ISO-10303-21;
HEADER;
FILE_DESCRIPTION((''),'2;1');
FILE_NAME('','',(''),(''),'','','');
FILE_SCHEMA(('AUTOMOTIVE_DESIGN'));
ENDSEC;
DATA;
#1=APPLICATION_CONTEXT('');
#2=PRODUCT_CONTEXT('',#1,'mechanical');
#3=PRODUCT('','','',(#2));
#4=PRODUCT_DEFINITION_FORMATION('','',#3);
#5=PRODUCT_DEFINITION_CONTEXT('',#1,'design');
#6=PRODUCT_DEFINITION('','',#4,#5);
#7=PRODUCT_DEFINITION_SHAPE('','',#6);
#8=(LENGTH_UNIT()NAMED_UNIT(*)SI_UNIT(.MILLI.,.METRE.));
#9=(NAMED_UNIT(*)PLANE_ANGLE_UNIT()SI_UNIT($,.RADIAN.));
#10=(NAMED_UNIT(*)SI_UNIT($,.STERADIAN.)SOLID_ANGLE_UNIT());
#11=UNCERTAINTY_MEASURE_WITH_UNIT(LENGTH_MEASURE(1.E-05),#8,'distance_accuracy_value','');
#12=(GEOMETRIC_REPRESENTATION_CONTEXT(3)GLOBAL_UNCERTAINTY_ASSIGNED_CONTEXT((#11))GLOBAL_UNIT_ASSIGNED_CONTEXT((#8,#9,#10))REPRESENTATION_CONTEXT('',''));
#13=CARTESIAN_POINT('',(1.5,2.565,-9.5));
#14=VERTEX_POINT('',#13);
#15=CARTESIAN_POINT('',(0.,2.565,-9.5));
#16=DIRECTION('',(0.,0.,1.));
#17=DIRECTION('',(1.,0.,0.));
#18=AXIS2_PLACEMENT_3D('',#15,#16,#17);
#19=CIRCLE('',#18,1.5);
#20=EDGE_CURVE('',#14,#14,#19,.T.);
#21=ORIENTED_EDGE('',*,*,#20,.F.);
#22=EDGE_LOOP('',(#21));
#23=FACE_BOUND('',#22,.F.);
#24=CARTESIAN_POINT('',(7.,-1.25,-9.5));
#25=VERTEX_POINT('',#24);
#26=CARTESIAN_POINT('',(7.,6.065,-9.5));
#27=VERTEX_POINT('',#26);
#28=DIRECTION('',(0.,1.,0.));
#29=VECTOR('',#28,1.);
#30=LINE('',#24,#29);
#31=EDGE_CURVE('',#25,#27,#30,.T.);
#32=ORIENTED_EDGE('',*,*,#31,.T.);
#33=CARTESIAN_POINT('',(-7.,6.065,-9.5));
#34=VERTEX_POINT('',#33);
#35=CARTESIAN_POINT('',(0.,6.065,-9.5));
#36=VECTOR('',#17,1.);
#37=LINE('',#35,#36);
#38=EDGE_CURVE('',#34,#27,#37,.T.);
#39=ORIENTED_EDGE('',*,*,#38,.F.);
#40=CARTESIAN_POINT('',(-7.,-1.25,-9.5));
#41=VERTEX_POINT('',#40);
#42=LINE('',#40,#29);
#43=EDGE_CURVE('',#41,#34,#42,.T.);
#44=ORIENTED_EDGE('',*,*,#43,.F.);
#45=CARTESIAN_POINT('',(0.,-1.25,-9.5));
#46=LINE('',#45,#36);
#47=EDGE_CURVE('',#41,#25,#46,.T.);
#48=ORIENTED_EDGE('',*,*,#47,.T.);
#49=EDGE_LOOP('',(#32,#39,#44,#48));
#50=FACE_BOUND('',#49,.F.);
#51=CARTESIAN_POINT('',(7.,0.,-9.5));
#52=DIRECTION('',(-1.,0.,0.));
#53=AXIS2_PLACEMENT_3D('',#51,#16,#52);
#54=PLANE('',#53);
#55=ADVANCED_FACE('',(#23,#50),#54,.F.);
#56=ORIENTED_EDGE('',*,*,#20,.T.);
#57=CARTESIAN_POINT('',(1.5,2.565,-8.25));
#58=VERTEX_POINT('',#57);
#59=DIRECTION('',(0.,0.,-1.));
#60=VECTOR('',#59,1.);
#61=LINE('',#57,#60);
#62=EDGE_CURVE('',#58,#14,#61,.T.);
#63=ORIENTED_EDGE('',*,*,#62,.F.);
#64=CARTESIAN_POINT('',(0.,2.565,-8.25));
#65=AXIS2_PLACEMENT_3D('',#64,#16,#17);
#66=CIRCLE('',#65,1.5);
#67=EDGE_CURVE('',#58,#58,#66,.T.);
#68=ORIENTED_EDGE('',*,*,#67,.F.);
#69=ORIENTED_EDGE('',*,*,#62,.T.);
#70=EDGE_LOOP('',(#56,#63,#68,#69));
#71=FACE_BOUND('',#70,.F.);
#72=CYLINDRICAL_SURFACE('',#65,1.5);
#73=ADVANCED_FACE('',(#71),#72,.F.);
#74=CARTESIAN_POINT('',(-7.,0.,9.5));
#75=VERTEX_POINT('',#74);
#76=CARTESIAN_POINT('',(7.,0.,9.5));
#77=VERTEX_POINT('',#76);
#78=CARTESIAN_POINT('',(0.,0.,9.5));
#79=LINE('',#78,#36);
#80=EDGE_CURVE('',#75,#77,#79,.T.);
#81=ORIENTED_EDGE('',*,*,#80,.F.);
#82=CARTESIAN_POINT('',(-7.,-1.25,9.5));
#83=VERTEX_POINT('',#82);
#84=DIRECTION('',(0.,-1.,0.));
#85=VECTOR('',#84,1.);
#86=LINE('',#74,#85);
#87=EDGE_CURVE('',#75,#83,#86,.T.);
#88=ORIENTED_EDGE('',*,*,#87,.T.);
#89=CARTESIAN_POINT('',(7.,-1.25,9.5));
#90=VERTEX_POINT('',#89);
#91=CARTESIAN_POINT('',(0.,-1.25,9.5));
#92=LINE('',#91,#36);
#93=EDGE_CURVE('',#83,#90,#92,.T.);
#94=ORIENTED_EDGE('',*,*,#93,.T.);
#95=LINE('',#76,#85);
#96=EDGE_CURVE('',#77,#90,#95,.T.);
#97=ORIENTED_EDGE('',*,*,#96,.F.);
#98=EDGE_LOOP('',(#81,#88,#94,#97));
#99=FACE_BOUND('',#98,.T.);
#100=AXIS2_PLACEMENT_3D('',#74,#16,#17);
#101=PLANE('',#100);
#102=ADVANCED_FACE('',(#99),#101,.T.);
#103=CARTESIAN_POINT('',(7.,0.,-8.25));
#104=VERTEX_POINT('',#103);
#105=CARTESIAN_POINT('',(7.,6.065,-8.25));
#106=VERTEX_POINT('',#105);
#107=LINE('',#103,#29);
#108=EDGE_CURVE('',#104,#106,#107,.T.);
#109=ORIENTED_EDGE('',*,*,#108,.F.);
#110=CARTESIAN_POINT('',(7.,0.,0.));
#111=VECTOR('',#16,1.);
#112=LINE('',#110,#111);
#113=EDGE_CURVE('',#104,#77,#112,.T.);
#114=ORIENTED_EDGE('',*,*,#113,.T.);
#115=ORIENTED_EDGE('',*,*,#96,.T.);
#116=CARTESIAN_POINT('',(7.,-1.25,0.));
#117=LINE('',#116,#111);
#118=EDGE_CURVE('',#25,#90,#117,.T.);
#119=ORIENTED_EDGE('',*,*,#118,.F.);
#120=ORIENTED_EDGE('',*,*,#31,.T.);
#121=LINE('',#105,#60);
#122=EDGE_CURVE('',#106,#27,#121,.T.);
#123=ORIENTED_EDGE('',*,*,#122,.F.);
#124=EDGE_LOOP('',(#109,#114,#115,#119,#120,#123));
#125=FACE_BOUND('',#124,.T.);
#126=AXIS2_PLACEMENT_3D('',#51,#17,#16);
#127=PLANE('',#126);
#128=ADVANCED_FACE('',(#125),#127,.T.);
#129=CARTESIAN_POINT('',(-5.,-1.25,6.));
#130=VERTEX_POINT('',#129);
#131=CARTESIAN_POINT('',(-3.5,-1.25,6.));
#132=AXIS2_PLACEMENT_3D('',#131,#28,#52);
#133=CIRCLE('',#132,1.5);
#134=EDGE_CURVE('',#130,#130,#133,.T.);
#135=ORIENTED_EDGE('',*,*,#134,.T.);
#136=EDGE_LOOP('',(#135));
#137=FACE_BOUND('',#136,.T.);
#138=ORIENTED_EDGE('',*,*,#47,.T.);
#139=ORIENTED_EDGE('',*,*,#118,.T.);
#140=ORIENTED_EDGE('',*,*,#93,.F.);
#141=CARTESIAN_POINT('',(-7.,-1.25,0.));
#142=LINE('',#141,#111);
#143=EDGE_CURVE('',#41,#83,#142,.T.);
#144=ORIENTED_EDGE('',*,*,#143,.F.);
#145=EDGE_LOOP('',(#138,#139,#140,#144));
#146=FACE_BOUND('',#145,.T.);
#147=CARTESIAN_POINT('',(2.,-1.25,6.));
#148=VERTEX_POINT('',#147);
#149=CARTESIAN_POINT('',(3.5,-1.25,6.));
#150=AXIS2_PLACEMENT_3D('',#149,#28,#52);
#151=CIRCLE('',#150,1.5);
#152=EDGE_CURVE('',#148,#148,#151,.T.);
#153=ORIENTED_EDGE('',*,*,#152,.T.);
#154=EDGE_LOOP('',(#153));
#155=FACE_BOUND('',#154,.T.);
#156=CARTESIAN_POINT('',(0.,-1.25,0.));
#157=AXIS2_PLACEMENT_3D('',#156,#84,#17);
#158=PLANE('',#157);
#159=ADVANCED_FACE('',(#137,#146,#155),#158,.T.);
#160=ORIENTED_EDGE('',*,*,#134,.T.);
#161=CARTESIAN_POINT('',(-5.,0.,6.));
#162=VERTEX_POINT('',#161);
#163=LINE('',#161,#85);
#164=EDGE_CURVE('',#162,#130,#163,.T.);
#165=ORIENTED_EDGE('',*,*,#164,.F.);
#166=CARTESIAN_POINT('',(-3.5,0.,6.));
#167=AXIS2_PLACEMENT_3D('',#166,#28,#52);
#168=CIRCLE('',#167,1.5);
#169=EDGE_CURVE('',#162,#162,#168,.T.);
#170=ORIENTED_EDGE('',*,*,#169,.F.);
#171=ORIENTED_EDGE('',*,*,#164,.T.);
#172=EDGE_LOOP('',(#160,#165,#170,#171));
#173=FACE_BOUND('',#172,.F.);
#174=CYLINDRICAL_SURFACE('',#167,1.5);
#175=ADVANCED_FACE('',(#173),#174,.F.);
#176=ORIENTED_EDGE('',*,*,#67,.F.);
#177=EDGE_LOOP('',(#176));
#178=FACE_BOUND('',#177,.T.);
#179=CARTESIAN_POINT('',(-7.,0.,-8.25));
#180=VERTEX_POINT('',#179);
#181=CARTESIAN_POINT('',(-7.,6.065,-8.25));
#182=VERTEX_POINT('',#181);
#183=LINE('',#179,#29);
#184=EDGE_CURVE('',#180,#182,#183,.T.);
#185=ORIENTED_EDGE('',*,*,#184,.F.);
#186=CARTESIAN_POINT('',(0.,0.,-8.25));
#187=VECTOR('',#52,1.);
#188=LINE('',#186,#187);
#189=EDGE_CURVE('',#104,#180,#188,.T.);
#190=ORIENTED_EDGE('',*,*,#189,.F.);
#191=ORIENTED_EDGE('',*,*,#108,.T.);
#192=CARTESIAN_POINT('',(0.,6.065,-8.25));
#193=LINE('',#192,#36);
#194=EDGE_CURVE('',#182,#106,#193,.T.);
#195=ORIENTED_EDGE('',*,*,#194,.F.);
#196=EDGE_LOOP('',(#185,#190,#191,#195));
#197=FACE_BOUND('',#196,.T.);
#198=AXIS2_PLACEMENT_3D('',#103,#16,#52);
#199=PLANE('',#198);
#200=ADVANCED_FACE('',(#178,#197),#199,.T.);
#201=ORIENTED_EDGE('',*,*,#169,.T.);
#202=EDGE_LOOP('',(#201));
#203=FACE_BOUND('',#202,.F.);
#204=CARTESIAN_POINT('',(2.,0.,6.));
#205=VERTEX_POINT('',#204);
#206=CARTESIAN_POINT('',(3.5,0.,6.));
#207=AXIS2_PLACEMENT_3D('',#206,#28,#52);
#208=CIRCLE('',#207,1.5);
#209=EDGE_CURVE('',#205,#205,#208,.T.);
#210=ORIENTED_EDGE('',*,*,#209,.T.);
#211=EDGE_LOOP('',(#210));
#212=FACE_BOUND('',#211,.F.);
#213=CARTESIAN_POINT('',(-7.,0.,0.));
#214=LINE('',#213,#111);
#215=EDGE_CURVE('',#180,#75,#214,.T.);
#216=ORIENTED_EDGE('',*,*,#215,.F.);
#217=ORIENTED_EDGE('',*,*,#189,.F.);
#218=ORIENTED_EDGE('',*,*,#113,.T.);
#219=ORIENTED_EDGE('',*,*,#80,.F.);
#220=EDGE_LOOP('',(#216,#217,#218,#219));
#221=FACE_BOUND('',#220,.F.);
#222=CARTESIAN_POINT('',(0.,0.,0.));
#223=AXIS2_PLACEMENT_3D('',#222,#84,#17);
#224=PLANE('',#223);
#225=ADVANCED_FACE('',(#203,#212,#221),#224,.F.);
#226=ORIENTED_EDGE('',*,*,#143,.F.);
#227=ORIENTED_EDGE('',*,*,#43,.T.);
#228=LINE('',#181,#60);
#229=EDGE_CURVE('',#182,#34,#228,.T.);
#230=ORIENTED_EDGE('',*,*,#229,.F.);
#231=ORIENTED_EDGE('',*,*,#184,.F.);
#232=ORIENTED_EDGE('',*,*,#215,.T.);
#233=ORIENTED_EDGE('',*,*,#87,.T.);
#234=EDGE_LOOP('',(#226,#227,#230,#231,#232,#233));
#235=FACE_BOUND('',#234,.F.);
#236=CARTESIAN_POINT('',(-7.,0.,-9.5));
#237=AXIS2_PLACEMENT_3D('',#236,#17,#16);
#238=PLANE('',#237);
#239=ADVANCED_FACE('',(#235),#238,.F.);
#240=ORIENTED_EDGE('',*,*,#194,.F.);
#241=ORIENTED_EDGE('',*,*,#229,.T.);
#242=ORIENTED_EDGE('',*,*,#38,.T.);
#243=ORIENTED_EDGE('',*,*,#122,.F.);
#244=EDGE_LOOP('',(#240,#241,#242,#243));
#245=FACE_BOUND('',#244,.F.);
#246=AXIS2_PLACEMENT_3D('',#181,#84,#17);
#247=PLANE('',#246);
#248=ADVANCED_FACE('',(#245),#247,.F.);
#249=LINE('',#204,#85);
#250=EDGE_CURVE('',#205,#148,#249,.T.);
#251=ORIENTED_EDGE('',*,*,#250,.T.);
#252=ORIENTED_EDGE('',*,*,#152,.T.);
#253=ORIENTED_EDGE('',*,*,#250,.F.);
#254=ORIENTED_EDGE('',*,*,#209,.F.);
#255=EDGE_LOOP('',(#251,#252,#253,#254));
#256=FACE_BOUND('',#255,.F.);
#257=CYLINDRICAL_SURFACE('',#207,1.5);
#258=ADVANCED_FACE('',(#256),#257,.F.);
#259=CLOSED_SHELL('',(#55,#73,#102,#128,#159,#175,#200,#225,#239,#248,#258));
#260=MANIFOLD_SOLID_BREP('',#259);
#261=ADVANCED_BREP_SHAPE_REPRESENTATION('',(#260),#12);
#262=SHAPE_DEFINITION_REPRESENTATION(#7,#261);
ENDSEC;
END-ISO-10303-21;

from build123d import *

# Parameters (mm, degrees)
F0_W     = 14
F0_H     = 19
F1_DEPTH = 1.25
F2_W     = 14
F2_H     = 1.25
F3_DEPTH = 17.75
F4_R     = 1.5
F5_DEPTH = 25
F6_R     = 1.5
F7_DEPTH = 25
F8_W     = 14
F8_H     = 11.685
F9_DEPTH = 25


with BuildPart() as f1:
    # F0 (on Front) → F1 (new body)
    with BuildSketch(Plane.XZ):
        Rectangle(F0_W, F0_H)
    extrude(amount=F1_DEPTH)

    # F2 (on face) → F3 (join)
    with BuildSketch(Plane(origin=(0, 0, 0), x_dir=(-1, 0, 0), z_dir=(0, 1, 0))):
        with Locations((0, -8.875)):
            Rectangle(F2_W, F2_H)
    extrude(amount=F3_DEPTH)

    # F4 (on face) → F5 (cut)
    with BuildSketch(Plane(origin=(0, 0, 0), x_dir=(-1, 0, 0), z_dir=(0, 1, 0))):
        with Locations((-3.5, 6)):
            Circle(F4_R)
        with Locations((3.5, 6)):
            Circle(F4_R)
    extrude(amount=-F5_DEPTH, mode=Mode.SUBTRACT)

    # F6 (on face) → F7 (cut)
    with BuildSketch(Plane.XY.offset(-8.25)):
        with Locations((0, 2.565)):
            Circle(F6_R)
    extrude(amount=-F7_DEPTH, mode=Mode.SUBTRACT)

    # F8 (on face) → F9 (cut)
    with BuildSketch(Plane.XY.offset(-8.25)):
        with Locations((0, 11.9075)):
            Rectangle(F8_W, F8_H)
    extrude(amount=-F9_DEPTH, mode=Mode.SUBTRACT)


solid = f1.part
